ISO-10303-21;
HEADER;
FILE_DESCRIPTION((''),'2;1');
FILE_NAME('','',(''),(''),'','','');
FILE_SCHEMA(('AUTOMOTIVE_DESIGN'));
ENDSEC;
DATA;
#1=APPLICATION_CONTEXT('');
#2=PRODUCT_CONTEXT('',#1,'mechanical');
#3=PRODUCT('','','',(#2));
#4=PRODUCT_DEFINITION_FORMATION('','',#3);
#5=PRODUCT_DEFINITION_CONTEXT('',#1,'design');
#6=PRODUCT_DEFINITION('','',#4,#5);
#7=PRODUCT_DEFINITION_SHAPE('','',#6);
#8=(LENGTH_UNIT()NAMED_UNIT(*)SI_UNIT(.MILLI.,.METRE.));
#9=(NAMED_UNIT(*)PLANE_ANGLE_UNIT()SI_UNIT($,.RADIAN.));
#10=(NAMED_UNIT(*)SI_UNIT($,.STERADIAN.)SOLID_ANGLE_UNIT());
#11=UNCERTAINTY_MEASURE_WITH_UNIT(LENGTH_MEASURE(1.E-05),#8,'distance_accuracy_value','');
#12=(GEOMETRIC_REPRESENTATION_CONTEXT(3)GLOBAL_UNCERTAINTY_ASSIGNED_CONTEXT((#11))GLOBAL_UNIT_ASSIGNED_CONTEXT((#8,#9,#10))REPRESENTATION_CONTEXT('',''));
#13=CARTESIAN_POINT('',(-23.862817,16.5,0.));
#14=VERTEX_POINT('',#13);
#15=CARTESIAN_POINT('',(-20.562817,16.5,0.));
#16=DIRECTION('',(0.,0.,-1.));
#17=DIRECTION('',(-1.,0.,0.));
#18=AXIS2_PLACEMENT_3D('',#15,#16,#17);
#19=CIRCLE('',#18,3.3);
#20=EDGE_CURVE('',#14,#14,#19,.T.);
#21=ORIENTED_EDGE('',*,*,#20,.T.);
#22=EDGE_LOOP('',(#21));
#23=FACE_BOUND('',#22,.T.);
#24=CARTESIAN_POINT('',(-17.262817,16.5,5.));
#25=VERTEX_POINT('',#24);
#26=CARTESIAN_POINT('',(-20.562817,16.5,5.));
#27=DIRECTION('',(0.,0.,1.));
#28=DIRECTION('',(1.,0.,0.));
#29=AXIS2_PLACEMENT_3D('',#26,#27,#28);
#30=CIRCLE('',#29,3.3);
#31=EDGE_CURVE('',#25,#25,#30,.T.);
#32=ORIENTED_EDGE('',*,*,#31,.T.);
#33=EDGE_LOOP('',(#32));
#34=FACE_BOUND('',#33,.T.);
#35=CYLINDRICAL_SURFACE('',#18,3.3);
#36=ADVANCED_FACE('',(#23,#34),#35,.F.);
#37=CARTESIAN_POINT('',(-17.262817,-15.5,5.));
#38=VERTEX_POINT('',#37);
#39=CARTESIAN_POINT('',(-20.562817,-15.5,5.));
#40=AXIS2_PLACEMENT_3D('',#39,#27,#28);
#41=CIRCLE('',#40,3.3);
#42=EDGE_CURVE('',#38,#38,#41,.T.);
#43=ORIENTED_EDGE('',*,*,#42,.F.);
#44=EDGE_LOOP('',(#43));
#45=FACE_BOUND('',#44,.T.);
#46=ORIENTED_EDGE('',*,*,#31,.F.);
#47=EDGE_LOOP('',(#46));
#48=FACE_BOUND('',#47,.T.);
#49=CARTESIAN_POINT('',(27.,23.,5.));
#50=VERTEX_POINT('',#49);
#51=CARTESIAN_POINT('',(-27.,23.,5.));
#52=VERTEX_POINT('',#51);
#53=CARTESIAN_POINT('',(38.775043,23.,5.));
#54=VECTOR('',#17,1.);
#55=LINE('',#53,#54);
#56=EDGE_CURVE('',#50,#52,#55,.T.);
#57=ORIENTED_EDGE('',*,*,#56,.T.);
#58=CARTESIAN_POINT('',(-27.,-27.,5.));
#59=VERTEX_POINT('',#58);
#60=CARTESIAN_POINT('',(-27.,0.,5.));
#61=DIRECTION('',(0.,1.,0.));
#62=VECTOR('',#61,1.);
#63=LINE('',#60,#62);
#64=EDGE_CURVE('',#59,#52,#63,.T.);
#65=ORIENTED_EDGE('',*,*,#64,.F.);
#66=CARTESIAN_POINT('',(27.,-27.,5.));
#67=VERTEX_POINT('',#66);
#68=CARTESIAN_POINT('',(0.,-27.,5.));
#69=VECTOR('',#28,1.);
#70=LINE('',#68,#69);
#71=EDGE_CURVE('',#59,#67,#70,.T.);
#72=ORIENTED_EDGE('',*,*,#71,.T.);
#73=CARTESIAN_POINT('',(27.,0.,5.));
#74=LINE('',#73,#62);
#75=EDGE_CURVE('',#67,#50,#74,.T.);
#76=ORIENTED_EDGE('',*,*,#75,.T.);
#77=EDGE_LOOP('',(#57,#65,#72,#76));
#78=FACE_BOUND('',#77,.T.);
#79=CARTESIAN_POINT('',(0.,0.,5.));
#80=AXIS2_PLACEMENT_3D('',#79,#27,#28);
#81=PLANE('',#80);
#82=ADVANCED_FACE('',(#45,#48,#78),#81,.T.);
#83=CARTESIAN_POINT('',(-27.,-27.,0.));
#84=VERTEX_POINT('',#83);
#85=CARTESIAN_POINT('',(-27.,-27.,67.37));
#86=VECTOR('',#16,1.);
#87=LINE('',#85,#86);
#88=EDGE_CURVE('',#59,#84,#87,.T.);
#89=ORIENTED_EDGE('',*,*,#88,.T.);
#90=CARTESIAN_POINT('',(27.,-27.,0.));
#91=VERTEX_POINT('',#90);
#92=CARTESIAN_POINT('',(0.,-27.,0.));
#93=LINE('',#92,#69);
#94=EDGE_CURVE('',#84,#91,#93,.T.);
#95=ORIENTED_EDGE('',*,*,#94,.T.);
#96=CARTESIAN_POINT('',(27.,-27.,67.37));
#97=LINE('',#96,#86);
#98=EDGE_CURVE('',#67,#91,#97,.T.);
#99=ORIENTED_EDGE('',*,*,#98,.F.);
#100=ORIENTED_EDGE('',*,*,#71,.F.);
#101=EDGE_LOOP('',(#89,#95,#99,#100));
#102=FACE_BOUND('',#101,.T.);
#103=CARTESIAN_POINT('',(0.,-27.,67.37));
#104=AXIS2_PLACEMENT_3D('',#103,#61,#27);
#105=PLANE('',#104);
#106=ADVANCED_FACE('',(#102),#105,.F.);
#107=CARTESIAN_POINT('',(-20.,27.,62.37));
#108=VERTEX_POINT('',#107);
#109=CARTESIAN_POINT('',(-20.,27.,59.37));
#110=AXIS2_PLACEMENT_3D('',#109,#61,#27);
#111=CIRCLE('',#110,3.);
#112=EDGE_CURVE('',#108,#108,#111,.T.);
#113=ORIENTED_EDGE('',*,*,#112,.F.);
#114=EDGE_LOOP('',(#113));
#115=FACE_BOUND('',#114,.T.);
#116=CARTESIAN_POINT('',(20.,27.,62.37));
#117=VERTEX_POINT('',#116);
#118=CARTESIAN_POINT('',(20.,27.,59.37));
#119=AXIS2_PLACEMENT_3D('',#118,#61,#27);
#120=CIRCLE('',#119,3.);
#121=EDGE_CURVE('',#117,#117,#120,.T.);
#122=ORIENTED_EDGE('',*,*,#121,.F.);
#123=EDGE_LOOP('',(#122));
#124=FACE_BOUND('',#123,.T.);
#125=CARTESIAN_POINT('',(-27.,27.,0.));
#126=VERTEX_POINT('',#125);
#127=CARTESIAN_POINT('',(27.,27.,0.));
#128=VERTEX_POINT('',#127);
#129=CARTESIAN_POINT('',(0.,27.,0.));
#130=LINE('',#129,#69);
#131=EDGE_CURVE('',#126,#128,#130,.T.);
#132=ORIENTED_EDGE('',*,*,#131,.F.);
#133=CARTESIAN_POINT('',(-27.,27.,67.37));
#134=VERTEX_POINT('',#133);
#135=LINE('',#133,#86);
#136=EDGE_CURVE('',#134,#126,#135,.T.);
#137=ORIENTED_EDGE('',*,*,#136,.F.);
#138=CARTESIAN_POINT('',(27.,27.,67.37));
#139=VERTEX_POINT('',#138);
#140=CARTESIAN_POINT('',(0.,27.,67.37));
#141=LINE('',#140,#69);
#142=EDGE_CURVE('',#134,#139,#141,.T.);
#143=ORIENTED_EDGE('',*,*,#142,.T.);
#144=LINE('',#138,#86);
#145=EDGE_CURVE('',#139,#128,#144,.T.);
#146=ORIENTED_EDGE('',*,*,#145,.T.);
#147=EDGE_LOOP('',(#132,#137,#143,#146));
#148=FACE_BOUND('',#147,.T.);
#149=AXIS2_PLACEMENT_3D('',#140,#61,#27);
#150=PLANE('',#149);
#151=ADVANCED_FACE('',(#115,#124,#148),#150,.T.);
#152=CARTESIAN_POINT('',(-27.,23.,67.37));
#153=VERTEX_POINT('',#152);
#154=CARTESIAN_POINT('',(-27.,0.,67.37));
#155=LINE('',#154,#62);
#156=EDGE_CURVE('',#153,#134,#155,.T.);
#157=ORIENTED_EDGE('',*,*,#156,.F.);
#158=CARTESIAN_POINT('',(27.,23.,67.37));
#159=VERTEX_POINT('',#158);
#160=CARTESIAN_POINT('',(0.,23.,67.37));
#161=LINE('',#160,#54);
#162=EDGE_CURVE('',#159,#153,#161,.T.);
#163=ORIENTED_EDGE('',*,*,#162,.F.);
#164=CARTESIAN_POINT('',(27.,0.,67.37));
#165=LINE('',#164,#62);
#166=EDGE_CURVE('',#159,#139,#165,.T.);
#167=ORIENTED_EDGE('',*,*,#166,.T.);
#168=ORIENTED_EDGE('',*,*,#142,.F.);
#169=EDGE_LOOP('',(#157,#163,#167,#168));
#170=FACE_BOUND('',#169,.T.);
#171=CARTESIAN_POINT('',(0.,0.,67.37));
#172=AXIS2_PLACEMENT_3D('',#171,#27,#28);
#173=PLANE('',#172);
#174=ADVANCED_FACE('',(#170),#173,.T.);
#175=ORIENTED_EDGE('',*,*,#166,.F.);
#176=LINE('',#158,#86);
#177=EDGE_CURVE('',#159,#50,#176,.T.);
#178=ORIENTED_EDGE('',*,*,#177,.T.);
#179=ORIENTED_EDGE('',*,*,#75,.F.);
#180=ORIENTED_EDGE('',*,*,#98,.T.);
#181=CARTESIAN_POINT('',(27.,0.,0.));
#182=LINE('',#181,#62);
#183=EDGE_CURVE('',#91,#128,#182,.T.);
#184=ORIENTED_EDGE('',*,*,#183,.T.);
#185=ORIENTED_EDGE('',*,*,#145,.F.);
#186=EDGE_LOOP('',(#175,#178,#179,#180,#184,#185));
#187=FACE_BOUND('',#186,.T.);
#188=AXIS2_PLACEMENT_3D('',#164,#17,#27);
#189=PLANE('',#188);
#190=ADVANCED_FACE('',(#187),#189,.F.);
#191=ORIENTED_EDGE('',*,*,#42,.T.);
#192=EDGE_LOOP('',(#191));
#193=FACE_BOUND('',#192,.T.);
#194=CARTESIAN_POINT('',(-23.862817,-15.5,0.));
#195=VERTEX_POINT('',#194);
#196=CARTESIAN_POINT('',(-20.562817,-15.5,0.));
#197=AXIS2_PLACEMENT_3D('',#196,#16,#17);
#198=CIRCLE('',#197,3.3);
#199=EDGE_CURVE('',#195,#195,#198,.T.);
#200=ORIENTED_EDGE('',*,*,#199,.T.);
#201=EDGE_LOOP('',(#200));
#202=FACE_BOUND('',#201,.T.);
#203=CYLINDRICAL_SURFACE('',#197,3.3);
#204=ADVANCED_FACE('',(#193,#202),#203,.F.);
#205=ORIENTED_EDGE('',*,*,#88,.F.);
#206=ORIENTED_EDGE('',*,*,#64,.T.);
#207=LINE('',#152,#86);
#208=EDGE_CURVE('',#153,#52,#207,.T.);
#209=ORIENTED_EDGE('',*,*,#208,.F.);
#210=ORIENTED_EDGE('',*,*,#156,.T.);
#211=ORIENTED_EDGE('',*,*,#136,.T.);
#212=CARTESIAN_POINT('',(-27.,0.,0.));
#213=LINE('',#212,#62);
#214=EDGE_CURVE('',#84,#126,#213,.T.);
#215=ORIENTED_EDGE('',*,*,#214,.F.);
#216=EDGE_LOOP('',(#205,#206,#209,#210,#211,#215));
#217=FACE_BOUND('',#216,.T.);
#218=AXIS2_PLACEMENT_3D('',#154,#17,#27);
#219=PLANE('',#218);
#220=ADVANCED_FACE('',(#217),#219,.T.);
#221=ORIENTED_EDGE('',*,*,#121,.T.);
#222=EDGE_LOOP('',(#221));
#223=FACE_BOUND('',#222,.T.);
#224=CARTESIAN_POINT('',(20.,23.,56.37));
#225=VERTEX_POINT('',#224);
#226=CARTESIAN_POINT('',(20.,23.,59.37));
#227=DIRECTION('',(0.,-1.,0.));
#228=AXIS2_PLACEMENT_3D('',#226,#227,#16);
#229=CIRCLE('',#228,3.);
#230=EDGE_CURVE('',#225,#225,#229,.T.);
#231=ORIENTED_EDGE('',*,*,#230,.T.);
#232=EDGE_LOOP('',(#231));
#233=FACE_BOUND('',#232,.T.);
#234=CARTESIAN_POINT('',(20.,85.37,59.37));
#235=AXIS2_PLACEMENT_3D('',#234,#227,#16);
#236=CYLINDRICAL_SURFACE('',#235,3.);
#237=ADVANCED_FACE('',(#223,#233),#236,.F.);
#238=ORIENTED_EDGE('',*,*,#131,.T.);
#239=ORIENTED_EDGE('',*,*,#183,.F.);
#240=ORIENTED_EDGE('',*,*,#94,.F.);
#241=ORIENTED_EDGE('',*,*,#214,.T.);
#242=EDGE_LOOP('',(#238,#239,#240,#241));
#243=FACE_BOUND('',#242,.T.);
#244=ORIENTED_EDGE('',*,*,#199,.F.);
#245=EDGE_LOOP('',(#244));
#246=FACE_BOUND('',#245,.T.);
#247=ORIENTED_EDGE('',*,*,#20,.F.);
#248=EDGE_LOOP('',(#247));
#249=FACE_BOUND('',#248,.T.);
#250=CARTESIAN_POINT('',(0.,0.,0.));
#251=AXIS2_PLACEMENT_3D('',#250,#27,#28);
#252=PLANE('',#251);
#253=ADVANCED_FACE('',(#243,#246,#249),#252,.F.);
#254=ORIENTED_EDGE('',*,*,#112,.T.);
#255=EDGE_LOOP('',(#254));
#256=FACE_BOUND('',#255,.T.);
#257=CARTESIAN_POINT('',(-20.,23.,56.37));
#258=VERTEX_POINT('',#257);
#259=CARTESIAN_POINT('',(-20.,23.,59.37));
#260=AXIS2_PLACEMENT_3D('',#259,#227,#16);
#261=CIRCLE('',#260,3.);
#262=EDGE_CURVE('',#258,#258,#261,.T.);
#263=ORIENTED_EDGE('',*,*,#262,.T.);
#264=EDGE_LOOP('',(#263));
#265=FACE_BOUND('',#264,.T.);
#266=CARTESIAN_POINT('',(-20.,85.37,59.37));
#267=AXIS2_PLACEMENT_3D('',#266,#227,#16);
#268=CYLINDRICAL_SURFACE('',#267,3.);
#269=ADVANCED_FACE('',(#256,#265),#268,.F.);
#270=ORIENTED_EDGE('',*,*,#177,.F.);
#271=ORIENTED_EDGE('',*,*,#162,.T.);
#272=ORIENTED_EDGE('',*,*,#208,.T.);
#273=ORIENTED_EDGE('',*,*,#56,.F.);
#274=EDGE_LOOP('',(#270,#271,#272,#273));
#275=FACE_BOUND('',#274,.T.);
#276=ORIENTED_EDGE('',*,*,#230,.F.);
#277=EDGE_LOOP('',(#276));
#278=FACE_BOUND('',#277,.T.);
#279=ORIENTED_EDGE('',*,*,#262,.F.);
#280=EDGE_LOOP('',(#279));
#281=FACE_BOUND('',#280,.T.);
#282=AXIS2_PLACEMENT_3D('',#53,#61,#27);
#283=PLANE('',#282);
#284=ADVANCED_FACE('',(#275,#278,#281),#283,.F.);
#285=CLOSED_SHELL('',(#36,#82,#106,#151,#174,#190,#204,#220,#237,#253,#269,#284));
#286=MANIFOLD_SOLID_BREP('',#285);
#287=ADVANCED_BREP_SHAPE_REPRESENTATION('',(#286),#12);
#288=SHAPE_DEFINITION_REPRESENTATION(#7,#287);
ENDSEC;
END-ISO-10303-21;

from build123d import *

# Parameters (mm, degrees)
ESQUISSE1_W             = 54
ESQUISSE1_H             = 54
BOSS_EXTRU_1_DEPTH      = 67.37
ESQUISSE2_W             = 85.887974464
ESQUISSE2_H             = 58.790343592
ENL_V_MAT_EXTRU_1_DEPTH = 62.37
ESQUISSE3_R             = 3
ENL_V_MAT_EXTRU_2_DEPTH = 62.37
D_GAGEMENT_M61_D        = 6.6


with BuildPart() as part:
    # Esquisse1 → Boss.-Extru.1 (new body)
    with BuildSketch(Plane.XY):
        Rectangle(ESQUISSE1_W, ESQUISSE1_H)
    extrude(amount=BOSS_EXTRU_1_DEPTH)

    # Esquisse2 → Enlèv. mat.-Extru.1 (cut)
    with BuildSketch(Plane.XY.offset(67.37)):
        with Locations((-4.168944697, -6.395171796)):
            Rectangle(ESQUISSE2_W, ESQUISSE2_H)
    extrude(amount=-ENL_V_MAT_EXTRU_1_DEPTH, mode=Mode.SUBTRACT)

    # Esquisse3 → Enlèv. mat.-Extru.2 (cut)
    with BuildSketch(Plane.XZ.offset(-23)):
        with Locations(Location((-20, 59.37, 0), (0, 0, 270))):
            Circle(ESQUISSE3_R)
        with Locations(Location((20, 59.37, 0), (0, 0, 270))):
            Circle(ESQUISSE3_R)
    extrude(amount=-ENL_V_MAT_EXTRU_2_DEPTH, mode=Mode.SUBTRACT)

    # Dégagement M61 (through all)
    with Locations(Plane(origin=(0, 0, 0), x_dir=(-1, 0, 0), z_dir=(0, 0, -1))):
        with Locations((20.562817304, -15.5), (20.562817304, 16.5)):
            Hole(D_GAGEMENT_M61_D / 2)


solid = part.part
